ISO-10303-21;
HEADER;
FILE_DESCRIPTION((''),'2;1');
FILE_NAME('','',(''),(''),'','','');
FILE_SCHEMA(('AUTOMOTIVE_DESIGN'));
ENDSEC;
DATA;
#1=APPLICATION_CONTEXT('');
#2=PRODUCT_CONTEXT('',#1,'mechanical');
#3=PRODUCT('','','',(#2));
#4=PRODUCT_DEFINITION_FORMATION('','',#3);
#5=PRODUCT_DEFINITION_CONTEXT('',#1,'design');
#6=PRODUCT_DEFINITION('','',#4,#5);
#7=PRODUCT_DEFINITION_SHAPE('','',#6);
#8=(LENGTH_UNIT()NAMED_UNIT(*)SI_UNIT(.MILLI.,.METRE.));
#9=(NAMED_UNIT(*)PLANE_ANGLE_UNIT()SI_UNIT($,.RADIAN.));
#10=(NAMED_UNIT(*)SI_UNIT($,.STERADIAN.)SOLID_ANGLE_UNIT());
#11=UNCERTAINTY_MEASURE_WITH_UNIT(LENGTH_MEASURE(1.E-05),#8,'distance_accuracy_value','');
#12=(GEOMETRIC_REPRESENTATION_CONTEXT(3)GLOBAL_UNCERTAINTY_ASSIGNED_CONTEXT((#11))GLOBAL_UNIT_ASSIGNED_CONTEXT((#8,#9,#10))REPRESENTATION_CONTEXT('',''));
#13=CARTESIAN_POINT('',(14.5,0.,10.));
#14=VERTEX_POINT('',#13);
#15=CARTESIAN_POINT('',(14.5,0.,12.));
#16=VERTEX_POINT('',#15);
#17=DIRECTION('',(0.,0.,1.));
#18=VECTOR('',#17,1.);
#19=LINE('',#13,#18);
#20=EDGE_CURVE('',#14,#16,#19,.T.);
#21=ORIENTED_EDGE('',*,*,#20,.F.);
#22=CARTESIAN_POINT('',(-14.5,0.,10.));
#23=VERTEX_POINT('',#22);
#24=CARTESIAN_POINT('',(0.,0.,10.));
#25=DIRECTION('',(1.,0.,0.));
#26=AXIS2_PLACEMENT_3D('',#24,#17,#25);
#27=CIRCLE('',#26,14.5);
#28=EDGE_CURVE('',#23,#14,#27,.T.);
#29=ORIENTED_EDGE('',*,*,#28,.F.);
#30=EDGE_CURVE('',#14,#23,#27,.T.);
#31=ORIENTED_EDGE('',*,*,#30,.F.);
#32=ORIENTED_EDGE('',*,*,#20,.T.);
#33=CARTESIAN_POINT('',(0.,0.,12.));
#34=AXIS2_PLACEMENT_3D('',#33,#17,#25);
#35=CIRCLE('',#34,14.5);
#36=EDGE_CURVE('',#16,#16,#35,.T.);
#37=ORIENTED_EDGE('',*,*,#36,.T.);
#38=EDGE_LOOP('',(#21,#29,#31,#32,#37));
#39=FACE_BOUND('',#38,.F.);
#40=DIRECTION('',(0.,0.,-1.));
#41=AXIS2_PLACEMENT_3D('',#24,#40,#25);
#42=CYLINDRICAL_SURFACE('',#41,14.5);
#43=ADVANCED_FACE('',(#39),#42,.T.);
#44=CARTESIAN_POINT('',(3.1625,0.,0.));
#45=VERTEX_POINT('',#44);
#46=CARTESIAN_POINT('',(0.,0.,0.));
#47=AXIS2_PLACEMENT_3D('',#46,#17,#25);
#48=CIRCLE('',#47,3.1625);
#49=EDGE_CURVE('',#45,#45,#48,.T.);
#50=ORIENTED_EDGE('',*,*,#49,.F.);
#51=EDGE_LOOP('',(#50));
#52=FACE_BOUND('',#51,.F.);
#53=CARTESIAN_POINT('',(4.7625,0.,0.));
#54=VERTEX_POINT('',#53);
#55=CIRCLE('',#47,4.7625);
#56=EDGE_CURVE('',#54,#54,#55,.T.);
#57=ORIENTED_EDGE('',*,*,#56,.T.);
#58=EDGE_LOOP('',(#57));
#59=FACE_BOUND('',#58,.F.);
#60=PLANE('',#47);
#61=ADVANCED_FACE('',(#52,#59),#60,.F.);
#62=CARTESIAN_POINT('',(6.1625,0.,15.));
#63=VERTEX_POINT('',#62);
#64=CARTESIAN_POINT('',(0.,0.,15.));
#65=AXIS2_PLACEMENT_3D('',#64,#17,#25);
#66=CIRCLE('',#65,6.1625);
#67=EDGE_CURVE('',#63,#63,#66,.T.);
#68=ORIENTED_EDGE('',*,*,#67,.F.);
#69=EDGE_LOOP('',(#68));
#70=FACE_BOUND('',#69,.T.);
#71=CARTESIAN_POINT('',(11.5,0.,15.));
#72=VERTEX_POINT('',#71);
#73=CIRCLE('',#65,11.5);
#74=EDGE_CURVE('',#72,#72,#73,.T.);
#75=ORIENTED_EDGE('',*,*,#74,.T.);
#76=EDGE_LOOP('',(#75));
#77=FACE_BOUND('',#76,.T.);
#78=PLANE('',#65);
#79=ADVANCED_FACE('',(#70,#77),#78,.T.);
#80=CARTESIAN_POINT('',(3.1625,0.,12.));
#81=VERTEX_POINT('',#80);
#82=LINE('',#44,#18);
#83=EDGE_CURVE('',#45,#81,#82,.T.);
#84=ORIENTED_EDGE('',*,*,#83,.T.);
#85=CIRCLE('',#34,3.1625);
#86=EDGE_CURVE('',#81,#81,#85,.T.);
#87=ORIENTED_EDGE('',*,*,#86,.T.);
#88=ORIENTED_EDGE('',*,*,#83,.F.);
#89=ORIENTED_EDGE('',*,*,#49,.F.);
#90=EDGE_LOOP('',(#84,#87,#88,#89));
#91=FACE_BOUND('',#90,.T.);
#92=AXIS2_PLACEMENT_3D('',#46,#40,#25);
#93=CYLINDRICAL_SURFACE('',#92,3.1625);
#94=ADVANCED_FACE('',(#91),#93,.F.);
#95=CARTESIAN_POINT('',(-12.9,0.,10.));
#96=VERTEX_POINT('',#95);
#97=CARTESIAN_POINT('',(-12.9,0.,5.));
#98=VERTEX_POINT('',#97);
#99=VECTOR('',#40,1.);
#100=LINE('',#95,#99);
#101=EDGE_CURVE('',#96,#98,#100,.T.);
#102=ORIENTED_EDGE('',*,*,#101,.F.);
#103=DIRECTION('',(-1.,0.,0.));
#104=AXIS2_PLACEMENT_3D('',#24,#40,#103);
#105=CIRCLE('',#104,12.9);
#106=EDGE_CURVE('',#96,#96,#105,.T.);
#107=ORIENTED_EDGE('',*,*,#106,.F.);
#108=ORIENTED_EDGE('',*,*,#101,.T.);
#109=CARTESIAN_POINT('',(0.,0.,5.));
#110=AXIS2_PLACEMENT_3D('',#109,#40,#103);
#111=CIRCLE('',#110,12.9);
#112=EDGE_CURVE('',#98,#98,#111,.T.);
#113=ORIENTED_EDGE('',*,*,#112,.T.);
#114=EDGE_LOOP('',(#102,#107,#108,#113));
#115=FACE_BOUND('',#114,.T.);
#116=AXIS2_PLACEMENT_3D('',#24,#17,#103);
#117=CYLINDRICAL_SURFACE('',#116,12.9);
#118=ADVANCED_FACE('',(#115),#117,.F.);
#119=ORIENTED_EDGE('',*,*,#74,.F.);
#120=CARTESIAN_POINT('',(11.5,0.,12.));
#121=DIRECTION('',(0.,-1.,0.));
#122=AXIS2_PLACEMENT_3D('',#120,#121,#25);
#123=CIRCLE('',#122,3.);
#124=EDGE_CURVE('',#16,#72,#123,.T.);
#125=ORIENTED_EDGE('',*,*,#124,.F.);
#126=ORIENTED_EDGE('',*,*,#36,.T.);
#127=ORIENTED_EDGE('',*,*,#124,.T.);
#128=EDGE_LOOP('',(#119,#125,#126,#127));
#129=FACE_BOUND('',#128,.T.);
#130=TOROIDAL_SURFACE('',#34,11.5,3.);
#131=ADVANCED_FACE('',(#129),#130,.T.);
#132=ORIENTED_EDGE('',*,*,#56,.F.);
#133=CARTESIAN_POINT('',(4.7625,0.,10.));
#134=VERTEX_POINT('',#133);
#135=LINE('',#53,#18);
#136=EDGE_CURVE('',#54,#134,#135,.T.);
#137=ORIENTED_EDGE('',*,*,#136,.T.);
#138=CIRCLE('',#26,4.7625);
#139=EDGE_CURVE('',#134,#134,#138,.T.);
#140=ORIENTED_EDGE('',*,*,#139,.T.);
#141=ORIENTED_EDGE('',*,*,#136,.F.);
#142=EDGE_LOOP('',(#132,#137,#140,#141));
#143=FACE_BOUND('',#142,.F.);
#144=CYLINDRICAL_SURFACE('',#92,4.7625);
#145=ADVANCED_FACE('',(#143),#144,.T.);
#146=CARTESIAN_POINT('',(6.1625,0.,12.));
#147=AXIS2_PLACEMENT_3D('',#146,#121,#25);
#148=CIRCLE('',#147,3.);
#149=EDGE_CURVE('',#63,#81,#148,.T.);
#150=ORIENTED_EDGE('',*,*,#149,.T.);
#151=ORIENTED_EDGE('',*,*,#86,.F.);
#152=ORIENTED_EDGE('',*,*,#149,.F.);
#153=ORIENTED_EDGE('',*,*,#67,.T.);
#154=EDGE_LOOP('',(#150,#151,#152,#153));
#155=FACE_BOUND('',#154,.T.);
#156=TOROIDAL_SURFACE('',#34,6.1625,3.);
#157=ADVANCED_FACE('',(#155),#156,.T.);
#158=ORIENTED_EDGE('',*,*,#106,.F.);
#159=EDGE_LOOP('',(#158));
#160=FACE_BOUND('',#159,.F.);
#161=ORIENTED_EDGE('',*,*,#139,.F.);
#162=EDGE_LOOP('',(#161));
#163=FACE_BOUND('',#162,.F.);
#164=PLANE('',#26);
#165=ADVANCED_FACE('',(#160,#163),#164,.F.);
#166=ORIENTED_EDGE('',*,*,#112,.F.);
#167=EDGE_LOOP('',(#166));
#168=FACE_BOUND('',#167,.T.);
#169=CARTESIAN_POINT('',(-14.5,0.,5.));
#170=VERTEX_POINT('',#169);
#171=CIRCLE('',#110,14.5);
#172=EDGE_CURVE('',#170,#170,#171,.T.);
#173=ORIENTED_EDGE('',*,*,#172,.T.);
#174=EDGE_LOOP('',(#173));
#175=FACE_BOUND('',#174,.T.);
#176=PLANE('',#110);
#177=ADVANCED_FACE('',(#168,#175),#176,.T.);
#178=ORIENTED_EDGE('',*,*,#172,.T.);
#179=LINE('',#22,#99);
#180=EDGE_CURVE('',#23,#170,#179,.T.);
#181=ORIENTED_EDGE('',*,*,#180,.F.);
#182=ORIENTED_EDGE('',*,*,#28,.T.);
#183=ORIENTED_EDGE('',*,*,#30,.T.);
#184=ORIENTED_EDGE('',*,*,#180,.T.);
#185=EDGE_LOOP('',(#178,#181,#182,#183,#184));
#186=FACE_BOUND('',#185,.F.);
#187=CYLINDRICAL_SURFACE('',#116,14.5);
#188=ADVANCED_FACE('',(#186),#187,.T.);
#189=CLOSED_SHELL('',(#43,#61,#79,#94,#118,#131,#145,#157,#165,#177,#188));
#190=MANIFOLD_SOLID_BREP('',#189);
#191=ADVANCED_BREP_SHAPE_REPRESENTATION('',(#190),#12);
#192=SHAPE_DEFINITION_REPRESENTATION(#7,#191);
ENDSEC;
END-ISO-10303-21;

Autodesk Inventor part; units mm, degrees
ref_plane "YZ Plane" through (0, 0, 0) normal (1, 0, 0) x (0, 1, 0)
ref_plane "XZ Plane" through (0, 0, 0) normal (0, 1, 0) x (-1, 0, 0)
ref_plane "XY Plane" through (0, 0, 0) normal (0, 0, 1) x (1, 0, 0)
sketch "Sketch1" plane through (0, 0, 0) normal (0, 0, 1) x (1, 0, 0)
  circle A0 centre (0, 0) radius 4.7625
  circle A1 centre (0, 0) radius 3.1625
  dimension "d0" = 9.525
  dimension "d4" = 1.6
extrude "Extrusion1" add sketch "Sketch1" along normal blind 10
sketch "Sketch2" plane through (0, 0, 10) normal (0, 0, 1) x (1, 0, 0)
  circle A0 centre (0, 0) radius 14.5
  circle A1 centre (0, 0) radius 4.7625 projected
  circle A2 centre (0, 0) radius 3.1625 projected
  circle A3 centre (0, 0) radius 4.7625 projected
  dimension "d5" = 29
extrude "Extrusion2" add sketch "Sketch2" along normal blind 5 contours A0 | A1
sketch "Sketch3" plane through (0, 0, 10) normal (0, 0, -1) x (-1, 0, 0)
  circle A0 centre (0, 0) radius 14.5 projected
  circle A1 centre (0, 0) radius 12.9
  dimension "d8" = 1.6
extrude "Extrusion3" add sketch "Sketch3" along normal blind 5
fillet "Fillet1" radius 3 2 edges at (-3.1625, 0, 15) (-14.5, 0, 15)
properties part number "TA12" material "ABS Plastic"
